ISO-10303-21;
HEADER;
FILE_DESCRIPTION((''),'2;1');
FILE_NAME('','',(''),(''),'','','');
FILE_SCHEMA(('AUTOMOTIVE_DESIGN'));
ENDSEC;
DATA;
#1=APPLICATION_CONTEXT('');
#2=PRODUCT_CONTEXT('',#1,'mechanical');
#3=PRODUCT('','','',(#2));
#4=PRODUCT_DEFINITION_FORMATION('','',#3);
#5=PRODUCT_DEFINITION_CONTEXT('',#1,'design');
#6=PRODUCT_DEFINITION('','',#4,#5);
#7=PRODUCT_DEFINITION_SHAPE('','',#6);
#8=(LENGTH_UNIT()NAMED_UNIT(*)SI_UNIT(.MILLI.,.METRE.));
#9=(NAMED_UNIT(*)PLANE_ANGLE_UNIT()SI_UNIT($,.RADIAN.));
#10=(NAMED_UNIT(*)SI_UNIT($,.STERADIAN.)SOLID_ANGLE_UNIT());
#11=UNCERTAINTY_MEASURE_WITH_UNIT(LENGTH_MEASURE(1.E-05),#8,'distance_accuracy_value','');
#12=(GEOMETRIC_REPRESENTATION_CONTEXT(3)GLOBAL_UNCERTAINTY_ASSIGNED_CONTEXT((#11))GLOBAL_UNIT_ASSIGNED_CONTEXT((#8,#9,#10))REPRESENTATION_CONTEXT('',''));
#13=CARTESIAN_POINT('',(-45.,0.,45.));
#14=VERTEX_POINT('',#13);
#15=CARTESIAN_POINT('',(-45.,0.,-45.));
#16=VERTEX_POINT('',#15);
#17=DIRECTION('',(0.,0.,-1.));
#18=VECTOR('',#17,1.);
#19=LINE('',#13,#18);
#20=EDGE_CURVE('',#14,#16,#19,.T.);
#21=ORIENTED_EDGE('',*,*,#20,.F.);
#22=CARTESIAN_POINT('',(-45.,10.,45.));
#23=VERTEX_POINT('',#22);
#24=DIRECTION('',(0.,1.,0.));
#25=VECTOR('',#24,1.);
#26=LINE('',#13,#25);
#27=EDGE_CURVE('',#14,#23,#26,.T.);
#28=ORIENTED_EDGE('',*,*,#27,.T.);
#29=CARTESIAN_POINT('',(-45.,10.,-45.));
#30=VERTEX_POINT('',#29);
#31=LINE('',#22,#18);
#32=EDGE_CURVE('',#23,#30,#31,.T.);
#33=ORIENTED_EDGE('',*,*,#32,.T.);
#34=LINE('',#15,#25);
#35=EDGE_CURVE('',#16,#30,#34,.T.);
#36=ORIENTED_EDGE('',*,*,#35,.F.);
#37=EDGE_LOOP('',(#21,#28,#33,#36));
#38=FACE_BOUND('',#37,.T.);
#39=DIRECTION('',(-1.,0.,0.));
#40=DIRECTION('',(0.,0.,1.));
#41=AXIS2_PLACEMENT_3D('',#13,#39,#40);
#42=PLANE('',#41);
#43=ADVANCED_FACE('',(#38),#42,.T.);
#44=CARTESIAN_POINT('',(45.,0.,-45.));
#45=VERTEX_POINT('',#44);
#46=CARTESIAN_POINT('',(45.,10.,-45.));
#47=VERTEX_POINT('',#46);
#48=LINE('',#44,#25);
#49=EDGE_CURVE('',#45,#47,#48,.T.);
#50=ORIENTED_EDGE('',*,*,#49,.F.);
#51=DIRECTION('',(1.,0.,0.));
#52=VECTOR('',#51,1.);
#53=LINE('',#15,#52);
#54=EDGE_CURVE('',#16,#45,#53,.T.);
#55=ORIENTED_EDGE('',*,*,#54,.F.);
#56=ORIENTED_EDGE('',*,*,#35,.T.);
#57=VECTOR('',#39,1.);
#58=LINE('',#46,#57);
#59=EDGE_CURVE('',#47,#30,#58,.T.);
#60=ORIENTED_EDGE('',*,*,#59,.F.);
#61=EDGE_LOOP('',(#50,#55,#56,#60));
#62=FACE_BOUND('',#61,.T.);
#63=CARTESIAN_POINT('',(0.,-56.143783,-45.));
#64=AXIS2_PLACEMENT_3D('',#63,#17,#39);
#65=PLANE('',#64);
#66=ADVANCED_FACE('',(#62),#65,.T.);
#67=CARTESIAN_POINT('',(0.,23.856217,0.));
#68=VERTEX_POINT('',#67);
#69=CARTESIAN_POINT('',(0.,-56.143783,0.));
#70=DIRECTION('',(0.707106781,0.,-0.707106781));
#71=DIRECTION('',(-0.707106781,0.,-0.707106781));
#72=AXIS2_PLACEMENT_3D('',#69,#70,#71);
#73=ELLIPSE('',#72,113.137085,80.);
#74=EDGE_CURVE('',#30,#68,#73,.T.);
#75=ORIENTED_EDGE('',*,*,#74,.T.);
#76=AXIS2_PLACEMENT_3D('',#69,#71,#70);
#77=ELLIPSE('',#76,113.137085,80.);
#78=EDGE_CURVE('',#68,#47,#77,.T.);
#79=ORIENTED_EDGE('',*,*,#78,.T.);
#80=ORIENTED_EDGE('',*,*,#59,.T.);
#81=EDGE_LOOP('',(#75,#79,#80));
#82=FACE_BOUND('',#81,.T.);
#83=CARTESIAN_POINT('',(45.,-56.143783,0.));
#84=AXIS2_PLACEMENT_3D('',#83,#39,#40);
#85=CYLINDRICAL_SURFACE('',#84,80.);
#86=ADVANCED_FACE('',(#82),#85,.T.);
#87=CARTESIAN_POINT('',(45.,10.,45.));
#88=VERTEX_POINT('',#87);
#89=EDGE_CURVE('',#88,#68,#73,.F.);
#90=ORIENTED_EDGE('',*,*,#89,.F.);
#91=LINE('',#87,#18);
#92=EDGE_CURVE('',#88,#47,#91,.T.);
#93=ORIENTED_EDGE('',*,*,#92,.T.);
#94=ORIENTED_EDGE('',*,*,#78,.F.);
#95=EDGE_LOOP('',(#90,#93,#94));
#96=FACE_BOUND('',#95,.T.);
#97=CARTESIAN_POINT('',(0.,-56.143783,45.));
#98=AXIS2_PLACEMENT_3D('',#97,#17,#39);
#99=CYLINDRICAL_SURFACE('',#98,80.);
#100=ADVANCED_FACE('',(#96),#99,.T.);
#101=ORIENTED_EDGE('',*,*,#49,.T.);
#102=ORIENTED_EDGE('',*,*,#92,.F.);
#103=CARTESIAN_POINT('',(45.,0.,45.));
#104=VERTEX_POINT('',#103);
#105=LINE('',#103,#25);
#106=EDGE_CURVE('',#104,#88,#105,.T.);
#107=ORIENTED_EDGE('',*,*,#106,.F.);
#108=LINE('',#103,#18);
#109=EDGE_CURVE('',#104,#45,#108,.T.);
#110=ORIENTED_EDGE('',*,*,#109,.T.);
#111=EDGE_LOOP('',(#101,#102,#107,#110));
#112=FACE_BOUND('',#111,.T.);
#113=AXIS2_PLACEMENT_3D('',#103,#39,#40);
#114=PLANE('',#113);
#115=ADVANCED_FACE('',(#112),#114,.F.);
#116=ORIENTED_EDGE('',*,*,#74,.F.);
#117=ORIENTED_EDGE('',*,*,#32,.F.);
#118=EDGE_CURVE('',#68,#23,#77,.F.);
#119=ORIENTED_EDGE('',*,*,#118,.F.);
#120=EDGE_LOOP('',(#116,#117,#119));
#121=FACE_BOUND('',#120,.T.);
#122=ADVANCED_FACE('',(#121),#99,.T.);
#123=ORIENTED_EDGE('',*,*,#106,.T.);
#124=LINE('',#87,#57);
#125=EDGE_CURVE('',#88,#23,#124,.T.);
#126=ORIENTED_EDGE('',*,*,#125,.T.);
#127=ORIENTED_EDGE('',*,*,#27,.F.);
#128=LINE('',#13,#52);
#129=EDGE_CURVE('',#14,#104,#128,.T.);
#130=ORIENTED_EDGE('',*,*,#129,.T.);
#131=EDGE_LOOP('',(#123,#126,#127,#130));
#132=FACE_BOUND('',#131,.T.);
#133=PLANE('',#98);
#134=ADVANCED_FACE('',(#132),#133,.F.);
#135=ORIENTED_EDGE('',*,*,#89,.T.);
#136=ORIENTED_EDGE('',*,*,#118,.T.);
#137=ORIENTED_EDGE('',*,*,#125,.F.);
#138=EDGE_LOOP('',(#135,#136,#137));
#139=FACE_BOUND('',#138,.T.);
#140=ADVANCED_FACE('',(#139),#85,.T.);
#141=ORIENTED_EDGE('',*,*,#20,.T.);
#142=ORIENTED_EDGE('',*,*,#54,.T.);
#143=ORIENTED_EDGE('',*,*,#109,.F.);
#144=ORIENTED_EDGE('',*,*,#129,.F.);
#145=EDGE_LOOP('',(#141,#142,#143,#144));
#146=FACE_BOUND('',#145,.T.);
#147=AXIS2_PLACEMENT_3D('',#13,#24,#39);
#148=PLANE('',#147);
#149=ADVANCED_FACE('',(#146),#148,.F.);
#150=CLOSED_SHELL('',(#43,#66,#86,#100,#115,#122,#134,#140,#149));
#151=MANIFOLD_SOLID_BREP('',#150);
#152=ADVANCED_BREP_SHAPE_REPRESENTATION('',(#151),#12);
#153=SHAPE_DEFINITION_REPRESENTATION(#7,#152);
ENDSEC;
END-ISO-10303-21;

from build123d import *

# Parameters (mm, degrees)
BOSS_EXTRUDE6_DEPTH = 45
BOSS_EXTRUDE8_DEPTH = 45


with BuildPart() as part:
    # Sketch4 → Boss-Extrude6 (new, symmetric)
    with BuildSketch(Plane.XY):
        with BuildLine():
            Line((-45, 0), (45, 0))
            Line((45, 0), (45, 10))
            ThreePointArc((45, 10), (0, 23.856217223), (-45, 10))
            Line((-45, 10), (-45, 0))
        make_face()
    extrude(amount=BOSS_EXTRUDE6_DEPTH, both=True)


with BuildPart() as body_2:
    # Sketch9 → Boss-Extrude8 (new, symmetric)
    with BuildSketch(Plane(origin=(0, 0, 0), x_dir=(0, 0, -1), z_dir=(1, 0, 0))):
        with BuildLine():
            Line((-45, 0), (45, 0))
            Line((45, 0), (45, 10))
            ThreePointArc((45, 10), (0, 23.856217223), (-45, 10))
            Line((-45, 10), (-45, 0))
        make_face()
    extrude(amount=BOSS_EXTRUDE8_DEPTH, both=True)


with BuildPart() as part_1:
    add(part.part)

    # Combine1: intersect body 2
    add(body_2.part, mode=Mode.INTERSECT)


solid = part_1.part
